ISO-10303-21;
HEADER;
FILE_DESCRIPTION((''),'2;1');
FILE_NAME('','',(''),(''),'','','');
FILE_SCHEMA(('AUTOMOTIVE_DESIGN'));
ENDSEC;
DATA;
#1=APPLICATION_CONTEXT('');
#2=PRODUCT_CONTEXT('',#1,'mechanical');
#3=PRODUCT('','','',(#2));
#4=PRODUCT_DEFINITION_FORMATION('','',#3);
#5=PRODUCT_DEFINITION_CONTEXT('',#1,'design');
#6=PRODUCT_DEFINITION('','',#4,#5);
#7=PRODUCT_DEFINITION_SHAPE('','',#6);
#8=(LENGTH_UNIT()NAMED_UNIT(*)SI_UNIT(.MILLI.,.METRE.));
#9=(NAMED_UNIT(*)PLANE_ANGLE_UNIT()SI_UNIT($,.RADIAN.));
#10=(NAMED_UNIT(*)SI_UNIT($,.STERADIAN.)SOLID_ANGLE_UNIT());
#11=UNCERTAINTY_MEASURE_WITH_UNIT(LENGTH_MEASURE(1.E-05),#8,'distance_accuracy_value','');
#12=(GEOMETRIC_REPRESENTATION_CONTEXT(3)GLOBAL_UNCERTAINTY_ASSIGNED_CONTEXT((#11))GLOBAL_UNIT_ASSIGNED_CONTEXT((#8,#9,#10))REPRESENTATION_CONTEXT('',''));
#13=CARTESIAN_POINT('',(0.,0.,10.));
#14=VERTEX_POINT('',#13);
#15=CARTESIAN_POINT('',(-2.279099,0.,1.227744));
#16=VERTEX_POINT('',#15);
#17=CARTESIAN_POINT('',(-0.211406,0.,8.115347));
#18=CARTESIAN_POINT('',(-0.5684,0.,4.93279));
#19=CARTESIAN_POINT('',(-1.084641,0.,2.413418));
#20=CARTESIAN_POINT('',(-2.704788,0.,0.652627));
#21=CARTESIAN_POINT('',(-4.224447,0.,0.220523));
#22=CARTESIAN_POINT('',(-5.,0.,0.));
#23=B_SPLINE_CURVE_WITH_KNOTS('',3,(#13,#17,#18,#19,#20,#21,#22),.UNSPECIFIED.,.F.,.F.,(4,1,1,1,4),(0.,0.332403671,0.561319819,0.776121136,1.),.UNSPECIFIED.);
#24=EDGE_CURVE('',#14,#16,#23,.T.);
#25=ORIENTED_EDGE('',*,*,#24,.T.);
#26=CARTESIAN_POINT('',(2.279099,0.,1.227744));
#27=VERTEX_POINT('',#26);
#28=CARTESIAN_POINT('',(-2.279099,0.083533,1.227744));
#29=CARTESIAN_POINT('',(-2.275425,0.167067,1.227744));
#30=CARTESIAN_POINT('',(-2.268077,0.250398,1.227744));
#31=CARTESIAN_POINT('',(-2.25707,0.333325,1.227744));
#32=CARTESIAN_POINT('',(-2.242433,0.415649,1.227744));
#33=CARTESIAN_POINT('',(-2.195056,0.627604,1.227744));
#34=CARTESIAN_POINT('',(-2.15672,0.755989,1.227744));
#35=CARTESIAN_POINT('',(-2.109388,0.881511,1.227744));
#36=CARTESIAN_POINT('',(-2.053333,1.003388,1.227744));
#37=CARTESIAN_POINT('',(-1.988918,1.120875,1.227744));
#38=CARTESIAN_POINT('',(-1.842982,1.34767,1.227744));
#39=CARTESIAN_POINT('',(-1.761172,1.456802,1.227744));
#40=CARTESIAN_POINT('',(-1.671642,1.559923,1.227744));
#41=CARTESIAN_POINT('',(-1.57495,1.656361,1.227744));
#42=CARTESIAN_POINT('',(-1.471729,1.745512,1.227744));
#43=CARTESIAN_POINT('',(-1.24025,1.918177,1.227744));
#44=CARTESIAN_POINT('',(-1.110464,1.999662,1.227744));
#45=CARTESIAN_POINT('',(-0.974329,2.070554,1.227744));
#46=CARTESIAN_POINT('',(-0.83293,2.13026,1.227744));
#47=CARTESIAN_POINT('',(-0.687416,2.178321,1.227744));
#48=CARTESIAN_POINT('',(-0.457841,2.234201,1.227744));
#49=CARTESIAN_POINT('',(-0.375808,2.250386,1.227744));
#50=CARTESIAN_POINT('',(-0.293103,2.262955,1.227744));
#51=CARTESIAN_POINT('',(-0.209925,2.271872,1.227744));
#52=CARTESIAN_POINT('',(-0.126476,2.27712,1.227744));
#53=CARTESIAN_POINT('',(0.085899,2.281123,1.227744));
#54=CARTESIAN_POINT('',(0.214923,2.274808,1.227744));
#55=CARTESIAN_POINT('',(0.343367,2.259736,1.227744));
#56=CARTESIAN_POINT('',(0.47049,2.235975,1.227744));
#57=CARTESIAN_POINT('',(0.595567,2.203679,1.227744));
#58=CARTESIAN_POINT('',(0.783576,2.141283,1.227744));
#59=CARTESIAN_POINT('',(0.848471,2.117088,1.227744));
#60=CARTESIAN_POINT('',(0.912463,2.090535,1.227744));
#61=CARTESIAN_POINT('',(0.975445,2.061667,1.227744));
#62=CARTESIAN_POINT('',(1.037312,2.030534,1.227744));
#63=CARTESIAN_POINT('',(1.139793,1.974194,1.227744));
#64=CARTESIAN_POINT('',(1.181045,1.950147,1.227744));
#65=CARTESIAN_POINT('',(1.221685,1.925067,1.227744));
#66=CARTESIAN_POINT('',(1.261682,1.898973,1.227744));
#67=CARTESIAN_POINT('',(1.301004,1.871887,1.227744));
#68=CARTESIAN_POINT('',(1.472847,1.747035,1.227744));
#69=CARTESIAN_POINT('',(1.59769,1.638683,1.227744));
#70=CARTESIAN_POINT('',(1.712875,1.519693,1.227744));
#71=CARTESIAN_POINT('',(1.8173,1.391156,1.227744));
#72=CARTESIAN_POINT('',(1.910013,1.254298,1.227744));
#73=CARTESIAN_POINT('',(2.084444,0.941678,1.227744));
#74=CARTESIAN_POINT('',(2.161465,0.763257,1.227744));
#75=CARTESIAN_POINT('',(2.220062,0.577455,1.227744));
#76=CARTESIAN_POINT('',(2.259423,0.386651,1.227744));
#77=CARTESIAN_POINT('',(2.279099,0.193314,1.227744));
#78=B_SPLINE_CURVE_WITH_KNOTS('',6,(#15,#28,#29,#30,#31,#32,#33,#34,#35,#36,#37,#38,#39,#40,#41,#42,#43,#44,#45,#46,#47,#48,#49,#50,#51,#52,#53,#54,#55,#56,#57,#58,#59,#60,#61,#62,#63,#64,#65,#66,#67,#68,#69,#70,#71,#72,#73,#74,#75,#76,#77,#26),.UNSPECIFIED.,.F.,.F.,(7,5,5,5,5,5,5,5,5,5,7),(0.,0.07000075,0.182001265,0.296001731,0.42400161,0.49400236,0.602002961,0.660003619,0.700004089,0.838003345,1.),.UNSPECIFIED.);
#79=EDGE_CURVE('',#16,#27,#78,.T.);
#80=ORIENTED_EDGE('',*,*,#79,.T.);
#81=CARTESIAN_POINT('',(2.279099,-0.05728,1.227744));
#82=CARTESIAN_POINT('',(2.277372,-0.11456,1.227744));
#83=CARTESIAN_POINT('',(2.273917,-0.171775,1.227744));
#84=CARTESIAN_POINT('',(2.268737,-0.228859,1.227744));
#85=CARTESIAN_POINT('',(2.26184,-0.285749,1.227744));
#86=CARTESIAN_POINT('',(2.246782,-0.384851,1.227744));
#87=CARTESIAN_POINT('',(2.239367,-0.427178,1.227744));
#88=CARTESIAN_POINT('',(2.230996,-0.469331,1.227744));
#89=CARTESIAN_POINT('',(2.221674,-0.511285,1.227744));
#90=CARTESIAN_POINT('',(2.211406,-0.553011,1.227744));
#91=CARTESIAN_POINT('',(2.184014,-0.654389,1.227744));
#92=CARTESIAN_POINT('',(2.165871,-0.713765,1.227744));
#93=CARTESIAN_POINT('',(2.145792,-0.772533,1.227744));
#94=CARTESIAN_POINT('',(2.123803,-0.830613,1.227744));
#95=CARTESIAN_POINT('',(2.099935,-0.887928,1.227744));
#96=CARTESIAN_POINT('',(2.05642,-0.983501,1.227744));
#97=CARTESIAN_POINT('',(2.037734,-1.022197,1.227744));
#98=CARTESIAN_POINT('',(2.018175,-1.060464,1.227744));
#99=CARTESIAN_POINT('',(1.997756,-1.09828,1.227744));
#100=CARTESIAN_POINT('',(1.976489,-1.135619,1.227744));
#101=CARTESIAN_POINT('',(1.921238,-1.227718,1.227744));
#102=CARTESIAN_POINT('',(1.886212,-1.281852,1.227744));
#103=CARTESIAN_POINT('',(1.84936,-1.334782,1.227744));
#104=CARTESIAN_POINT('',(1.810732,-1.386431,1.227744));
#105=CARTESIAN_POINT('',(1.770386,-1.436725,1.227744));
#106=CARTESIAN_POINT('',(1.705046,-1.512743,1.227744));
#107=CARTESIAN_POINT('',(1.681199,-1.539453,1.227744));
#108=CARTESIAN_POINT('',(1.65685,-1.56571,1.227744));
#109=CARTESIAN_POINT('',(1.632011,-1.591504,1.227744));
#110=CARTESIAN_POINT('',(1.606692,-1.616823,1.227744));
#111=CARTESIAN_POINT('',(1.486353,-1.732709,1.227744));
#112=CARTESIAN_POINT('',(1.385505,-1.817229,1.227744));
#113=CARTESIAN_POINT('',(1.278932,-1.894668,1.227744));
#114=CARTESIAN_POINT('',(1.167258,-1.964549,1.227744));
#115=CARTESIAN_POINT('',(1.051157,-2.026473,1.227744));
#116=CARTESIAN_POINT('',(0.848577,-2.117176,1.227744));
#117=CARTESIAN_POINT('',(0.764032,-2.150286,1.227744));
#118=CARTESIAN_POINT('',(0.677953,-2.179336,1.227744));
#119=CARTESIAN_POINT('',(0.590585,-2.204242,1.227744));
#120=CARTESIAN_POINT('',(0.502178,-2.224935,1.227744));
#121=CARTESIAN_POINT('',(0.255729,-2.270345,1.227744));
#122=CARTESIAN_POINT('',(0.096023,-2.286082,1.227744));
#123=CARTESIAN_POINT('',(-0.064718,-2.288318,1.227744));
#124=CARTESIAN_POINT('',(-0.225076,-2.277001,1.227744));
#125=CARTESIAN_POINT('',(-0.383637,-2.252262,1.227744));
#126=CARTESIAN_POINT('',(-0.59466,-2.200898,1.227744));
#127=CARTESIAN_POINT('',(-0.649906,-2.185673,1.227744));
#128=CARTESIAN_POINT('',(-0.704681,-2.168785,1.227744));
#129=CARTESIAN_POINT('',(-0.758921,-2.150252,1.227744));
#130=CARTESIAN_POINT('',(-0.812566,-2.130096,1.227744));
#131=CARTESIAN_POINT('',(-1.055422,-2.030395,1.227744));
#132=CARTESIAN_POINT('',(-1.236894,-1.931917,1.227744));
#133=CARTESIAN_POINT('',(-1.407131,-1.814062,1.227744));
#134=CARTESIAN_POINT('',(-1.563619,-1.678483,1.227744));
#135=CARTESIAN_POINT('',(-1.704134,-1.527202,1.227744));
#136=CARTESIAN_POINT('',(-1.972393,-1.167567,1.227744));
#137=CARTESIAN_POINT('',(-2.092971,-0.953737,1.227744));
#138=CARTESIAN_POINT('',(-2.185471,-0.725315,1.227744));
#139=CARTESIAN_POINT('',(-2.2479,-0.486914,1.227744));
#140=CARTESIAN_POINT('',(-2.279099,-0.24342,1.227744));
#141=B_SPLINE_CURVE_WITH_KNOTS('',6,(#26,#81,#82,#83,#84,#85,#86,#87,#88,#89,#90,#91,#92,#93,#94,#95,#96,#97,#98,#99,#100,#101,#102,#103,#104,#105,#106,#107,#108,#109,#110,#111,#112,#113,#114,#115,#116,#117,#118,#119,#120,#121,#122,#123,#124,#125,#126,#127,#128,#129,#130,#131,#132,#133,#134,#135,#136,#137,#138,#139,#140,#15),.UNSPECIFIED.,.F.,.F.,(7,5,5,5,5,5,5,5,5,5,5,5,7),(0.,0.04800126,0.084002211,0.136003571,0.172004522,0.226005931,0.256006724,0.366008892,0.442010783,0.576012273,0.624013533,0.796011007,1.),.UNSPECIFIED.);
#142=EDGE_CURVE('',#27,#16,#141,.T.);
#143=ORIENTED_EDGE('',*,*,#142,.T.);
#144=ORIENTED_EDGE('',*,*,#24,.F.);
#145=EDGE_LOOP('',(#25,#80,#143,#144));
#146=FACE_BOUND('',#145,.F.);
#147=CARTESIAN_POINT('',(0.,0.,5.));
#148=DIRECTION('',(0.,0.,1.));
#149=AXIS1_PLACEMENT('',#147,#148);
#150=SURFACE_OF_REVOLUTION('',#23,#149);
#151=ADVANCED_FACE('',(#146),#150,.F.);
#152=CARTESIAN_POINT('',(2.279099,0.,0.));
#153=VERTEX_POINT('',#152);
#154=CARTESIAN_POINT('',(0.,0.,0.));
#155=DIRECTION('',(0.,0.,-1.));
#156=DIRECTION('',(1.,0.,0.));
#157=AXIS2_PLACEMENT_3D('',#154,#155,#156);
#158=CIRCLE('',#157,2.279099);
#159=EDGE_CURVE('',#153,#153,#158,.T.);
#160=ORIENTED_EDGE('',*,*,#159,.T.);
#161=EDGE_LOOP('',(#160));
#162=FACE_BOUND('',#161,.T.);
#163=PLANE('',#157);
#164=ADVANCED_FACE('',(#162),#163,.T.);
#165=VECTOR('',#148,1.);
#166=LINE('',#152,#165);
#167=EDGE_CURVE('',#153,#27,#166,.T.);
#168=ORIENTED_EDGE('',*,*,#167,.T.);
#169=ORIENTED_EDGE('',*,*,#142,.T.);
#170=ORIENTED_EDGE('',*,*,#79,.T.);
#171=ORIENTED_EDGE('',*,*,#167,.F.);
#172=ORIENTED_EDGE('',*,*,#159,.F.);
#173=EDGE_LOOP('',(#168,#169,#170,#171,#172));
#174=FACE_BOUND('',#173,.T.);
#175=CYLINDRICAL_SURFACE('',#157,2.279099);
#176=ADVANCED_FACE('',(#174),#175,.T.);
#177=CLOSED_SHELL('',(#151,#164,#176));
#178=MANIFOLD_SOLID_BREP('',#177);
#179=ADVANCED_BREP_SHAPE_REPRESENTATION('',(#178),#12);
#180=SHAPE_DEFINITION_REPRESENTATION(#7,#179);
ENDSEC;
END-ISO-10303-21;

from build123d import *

# Parameters (mm, degrees)
F2_R     = 2.2790991083
F3_DEPTH = 25


with BuildPart() as f1:
    # F0 (on Front) → F1 (revolve)
    with BuildSketch(Plane.XZ):
        with BuildLine():
            Line((-5, 0), (0, 0))
            Line((0, 0), (0, 10))
            add(Edge.make_bspline(
                [(0, 10), (-0.2114057326, 8.1153465365), (-0.568400068, 4.9327904048), (-1.084640953, 2.4134176989), (-2.7047877881, 0.6526270045), (-4.2244472307, 0.2205228249), (-5, 0)],
                knots=[0, 0, 0, 0, 0.332403671, 0.5613198191, 0.7761211363, 1, 1, 1, 1], degree=3))
        make_face()
    revolve(axis=Axis((0, 0, 5), (0, 0, 1)))

    # F2 (on face) → F3 (intersect)
    with BuildSketch(Plane(origin=(0, 0, 0), x_dir=(1, 0, 0), z_dir=(0, 0, -1))):
        Circle(F2_R)
    extrude(amount=-F3_DEPTH, mode=Mode.INTERSECT)


solid = f1.part
